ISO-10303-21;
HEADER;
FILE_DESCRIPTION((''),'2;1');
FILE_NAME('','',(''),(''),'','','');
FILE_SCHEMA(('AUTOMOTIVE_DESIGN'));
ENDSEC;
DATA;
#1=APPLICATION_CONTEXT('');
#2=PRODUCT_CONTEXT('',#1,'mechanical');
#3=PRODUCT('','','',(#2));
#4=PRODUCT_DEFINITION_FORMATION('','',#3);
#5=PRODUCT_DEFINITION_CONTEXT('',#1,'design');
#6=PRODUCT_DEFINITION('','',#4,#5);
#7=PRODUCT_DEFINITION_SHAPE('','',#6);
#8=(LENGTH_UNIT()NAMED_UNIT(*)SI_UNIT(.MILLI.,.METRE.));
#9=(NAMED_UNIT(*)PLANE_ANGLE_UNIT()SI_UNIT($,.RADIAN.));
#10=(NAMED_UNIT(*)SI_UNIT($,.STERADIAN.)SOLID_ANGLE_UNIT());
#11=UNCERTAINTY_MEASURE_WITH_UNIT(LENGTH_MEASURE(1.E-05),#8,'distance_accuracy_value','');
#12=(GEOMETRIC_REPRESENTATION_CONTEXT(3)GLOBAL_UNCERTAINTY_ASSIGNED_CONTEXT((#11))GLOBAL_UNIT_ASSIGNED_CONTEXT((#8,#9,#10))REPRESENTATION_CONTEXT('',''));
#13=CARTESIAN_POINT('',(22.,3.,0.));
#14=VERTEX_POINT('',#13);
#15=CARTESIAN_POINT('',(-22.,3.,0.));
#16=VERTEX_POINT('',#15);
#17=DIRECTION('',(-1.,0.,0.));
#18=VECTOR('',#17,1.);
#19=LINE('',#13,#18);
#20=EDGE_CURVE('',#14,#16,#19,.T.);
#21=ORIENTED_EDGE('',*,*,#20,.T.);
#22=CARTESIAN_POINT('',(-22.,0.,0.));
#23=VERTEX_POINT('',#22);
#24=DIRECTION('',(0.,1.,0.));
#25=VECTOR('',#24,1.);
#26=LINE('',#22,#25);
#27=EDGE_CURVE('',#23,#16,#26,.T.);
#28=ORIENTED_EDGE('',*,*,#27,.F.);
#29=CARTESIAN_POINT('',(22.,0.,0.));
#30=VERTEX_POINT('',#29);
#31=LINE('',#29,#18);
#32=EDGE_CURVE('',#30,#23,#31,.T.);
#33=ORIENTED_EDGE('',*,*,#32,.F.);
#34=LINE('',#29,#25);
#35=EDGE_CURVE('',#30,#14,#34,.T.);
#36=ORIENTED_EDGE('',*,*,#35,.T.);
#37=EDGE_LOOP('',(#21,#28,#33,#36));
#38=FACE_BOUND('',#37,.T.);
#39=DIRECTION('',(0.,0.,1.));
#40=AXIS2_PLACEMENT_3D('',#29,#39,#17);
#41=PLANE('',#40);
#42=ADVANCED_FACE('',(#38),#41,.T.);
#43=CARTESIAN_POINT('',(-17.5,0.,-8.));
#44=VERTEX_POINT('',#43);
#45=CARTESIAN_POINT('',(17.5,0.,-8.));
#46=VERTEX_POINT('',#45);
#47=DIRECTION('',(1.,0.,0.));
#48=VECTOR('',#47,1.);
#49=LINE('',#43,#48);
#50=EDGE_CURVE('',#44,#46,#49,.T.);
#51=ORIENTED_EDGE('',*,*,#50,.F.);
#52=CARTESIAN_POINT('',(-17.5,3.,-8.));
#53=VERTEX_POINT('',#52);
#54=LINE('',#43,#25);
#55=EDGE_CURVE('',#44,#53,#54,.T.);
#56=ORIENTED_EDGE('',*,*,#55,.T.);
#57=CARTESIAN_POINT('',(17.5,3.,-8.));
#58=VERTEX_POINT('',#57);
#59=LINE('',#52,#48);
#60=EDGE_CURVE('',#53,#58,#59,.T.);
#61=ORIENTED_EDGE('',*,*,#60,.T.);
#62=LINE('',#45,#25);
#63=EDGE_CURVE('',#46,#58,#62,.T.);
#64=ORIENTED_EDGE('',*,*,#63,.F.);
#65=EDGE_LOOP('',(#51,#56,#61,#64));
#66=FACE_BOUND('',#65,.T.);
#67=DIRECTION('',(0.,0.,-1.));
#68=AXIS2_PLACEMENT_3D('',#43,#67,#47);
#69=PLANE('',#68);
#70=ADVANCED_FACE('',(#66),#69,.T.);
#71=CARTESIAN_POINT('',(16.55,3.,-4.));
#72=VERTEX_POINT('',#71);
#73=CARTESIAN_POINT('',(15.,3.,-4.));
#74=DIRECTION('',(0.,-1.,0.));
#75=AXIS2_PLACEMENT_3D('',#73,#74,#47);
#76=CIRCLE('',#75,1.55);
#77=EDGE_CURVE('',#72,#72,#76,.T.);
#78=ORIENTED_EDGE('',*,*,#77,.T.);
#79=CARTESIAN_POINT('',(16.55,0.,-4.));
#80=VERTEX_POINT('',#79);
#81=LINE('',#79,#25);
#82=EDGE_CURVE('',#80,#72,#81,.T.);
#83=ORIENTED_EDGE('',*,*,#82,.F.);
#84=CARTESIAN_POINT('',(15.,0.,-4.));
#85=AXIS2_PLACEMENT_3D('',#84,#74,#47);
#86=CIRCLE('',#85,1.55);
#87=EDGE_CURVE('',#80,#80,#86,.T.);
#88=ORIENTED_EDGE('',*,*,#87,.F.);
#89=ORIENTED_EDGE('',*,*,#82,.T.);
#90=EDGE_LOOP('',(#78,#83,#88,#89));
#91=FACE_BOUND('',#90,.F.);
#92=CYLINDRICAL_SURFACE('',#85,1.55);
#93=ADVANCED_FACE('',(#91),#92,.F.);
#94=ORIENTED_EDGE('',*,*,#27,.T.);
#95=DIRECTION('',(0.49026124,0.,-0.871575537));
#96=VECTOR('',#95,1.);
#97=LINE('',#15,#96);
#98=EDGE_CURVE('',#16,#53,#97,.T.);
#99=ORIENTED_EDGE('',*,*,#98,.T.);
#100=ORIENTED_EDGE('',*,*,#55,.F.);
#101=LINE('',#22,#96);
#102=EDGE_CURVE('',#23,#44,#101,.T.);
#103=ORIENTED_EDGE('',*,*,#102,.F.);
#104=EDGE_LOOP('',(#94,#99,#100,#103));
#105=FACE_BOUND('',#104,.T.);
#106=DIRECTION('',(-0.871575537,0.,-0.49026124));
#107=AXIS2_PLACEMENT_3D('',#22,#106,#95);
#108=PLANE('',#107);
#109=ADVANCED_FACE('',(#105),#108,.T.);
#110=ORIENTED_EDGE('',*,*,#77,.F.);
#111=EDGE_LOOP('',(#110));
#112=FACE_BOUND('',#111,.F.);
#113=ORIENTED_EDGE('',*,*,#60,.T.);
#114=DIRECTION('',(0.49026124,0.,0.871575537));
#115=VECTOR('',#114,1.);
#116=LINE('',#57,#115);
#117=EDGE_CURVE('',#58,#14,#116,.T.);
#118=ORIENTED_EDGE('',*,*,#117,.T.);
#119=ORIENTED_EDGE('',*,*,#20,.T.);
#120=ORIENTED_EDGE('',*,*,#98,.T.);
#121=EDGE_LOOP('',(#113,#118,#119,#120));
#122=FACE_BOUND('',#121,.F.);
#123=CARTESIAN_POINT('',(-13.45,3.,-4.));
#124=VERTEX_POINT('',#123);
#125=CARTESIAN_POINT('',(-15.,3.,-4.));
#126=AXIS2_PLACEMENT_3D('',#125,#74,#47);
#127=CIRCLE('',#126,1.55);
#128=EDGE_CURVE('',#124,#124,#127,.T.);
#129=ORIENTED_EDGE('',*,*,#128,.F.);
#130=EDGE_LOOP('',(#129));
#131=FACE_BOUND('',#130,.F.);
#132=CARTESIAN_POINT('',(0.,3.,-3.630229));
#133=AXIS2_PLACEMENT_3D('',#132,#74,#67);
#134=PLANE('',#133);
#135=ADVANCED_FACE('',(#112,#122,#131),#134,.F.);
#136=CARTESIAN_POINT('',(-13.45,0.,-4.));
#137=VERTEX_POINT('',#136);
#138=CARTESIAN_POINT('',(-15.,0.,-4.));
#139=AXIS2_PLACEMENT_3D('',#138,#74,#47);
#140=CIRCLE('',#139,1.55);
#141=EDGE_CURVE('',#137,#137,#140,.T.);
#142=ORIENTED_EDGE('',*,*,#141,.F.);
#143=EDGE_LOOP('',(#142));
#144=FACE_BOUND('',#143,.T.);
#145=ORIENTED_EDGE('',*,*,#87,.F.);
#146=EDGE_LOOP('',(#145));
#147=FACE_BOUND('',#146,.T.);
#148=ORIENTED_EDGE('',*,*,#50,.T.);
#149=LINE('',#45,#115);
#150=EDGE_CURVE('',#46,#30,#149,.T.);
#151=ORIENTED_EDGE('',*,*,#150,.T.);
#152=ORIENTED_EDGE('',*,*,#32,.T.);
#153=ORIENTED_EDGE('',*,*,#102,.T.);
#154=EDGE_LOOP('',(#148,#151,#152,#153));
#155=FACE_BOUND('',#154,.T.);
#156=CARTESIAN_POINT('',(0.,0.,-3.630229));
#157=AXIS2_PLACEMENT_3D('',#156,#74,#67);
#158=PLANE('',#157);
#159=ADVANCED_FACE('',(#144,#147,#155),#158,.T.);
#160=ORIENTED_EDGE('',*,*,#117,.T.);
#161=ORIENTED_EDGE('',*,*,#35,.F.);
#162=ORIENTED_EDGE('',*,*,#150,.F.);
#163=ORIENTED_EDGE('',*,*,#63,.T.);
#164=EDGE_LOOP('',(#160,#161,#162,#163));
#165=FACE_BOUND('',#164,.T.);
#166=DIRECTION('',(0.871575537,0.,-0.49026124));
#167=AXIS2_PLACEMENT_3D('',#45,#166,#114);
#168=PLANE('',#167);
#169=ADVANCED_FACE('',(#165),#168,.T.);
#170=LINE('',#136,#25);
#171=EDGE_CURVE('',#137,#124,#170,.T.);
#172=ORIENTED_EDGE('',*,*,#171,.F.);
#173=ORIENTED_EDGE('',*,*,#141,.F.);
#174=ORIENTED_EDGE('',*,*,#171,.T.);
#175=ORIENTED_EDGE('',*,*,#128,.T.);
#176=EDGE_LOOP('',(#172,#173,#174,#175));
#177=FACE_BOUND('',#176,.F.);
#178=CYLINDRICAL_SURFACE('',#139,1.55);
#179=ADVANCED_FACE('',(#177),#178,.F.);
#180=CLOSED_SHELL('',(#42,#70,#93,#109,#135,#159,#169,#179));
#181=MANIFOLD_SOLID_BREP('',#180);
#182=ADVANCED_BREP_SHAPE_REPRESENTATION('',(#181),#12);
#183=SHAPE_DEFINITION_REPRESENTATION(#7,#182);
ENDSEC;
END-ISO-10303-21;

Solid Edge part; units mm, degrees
sketch "Sketch1" plane through (0, 0, 0) normal (0, -1, 0) x (1, 0, 0)
  line L0 (-22, 0) -> (-17.5, -8)
  line L1 (-17.5, -8) -> (17.5, -8)
  line L2 (17.5, -8) -> (22, 0)
  line L3 (22, 0) -> (-22, 0)
  dimension "D1" = 44
  dimension "D2" = 35
  dimension "D3" = 8
extrude "Ajout_matière_1" add sketch "Sketch1" against normal blind 3
sketch "Sketch2" plane through (0, 0, -4) normal (0, -1, 0) x (1, 0, 0)
  circle A0 centre (-15, 0) radius 1.55
  circle A1 centre (15, 0) radius 1.55
  dimension "D1" = 3.1
  dimension "D2" = 15
  dimension "D3" = 4
extrude "Enlèvement_matière_1" cut sketch "Sketch2" against normal blind 6.075
properties part number "10" material "MDF 3mm"
